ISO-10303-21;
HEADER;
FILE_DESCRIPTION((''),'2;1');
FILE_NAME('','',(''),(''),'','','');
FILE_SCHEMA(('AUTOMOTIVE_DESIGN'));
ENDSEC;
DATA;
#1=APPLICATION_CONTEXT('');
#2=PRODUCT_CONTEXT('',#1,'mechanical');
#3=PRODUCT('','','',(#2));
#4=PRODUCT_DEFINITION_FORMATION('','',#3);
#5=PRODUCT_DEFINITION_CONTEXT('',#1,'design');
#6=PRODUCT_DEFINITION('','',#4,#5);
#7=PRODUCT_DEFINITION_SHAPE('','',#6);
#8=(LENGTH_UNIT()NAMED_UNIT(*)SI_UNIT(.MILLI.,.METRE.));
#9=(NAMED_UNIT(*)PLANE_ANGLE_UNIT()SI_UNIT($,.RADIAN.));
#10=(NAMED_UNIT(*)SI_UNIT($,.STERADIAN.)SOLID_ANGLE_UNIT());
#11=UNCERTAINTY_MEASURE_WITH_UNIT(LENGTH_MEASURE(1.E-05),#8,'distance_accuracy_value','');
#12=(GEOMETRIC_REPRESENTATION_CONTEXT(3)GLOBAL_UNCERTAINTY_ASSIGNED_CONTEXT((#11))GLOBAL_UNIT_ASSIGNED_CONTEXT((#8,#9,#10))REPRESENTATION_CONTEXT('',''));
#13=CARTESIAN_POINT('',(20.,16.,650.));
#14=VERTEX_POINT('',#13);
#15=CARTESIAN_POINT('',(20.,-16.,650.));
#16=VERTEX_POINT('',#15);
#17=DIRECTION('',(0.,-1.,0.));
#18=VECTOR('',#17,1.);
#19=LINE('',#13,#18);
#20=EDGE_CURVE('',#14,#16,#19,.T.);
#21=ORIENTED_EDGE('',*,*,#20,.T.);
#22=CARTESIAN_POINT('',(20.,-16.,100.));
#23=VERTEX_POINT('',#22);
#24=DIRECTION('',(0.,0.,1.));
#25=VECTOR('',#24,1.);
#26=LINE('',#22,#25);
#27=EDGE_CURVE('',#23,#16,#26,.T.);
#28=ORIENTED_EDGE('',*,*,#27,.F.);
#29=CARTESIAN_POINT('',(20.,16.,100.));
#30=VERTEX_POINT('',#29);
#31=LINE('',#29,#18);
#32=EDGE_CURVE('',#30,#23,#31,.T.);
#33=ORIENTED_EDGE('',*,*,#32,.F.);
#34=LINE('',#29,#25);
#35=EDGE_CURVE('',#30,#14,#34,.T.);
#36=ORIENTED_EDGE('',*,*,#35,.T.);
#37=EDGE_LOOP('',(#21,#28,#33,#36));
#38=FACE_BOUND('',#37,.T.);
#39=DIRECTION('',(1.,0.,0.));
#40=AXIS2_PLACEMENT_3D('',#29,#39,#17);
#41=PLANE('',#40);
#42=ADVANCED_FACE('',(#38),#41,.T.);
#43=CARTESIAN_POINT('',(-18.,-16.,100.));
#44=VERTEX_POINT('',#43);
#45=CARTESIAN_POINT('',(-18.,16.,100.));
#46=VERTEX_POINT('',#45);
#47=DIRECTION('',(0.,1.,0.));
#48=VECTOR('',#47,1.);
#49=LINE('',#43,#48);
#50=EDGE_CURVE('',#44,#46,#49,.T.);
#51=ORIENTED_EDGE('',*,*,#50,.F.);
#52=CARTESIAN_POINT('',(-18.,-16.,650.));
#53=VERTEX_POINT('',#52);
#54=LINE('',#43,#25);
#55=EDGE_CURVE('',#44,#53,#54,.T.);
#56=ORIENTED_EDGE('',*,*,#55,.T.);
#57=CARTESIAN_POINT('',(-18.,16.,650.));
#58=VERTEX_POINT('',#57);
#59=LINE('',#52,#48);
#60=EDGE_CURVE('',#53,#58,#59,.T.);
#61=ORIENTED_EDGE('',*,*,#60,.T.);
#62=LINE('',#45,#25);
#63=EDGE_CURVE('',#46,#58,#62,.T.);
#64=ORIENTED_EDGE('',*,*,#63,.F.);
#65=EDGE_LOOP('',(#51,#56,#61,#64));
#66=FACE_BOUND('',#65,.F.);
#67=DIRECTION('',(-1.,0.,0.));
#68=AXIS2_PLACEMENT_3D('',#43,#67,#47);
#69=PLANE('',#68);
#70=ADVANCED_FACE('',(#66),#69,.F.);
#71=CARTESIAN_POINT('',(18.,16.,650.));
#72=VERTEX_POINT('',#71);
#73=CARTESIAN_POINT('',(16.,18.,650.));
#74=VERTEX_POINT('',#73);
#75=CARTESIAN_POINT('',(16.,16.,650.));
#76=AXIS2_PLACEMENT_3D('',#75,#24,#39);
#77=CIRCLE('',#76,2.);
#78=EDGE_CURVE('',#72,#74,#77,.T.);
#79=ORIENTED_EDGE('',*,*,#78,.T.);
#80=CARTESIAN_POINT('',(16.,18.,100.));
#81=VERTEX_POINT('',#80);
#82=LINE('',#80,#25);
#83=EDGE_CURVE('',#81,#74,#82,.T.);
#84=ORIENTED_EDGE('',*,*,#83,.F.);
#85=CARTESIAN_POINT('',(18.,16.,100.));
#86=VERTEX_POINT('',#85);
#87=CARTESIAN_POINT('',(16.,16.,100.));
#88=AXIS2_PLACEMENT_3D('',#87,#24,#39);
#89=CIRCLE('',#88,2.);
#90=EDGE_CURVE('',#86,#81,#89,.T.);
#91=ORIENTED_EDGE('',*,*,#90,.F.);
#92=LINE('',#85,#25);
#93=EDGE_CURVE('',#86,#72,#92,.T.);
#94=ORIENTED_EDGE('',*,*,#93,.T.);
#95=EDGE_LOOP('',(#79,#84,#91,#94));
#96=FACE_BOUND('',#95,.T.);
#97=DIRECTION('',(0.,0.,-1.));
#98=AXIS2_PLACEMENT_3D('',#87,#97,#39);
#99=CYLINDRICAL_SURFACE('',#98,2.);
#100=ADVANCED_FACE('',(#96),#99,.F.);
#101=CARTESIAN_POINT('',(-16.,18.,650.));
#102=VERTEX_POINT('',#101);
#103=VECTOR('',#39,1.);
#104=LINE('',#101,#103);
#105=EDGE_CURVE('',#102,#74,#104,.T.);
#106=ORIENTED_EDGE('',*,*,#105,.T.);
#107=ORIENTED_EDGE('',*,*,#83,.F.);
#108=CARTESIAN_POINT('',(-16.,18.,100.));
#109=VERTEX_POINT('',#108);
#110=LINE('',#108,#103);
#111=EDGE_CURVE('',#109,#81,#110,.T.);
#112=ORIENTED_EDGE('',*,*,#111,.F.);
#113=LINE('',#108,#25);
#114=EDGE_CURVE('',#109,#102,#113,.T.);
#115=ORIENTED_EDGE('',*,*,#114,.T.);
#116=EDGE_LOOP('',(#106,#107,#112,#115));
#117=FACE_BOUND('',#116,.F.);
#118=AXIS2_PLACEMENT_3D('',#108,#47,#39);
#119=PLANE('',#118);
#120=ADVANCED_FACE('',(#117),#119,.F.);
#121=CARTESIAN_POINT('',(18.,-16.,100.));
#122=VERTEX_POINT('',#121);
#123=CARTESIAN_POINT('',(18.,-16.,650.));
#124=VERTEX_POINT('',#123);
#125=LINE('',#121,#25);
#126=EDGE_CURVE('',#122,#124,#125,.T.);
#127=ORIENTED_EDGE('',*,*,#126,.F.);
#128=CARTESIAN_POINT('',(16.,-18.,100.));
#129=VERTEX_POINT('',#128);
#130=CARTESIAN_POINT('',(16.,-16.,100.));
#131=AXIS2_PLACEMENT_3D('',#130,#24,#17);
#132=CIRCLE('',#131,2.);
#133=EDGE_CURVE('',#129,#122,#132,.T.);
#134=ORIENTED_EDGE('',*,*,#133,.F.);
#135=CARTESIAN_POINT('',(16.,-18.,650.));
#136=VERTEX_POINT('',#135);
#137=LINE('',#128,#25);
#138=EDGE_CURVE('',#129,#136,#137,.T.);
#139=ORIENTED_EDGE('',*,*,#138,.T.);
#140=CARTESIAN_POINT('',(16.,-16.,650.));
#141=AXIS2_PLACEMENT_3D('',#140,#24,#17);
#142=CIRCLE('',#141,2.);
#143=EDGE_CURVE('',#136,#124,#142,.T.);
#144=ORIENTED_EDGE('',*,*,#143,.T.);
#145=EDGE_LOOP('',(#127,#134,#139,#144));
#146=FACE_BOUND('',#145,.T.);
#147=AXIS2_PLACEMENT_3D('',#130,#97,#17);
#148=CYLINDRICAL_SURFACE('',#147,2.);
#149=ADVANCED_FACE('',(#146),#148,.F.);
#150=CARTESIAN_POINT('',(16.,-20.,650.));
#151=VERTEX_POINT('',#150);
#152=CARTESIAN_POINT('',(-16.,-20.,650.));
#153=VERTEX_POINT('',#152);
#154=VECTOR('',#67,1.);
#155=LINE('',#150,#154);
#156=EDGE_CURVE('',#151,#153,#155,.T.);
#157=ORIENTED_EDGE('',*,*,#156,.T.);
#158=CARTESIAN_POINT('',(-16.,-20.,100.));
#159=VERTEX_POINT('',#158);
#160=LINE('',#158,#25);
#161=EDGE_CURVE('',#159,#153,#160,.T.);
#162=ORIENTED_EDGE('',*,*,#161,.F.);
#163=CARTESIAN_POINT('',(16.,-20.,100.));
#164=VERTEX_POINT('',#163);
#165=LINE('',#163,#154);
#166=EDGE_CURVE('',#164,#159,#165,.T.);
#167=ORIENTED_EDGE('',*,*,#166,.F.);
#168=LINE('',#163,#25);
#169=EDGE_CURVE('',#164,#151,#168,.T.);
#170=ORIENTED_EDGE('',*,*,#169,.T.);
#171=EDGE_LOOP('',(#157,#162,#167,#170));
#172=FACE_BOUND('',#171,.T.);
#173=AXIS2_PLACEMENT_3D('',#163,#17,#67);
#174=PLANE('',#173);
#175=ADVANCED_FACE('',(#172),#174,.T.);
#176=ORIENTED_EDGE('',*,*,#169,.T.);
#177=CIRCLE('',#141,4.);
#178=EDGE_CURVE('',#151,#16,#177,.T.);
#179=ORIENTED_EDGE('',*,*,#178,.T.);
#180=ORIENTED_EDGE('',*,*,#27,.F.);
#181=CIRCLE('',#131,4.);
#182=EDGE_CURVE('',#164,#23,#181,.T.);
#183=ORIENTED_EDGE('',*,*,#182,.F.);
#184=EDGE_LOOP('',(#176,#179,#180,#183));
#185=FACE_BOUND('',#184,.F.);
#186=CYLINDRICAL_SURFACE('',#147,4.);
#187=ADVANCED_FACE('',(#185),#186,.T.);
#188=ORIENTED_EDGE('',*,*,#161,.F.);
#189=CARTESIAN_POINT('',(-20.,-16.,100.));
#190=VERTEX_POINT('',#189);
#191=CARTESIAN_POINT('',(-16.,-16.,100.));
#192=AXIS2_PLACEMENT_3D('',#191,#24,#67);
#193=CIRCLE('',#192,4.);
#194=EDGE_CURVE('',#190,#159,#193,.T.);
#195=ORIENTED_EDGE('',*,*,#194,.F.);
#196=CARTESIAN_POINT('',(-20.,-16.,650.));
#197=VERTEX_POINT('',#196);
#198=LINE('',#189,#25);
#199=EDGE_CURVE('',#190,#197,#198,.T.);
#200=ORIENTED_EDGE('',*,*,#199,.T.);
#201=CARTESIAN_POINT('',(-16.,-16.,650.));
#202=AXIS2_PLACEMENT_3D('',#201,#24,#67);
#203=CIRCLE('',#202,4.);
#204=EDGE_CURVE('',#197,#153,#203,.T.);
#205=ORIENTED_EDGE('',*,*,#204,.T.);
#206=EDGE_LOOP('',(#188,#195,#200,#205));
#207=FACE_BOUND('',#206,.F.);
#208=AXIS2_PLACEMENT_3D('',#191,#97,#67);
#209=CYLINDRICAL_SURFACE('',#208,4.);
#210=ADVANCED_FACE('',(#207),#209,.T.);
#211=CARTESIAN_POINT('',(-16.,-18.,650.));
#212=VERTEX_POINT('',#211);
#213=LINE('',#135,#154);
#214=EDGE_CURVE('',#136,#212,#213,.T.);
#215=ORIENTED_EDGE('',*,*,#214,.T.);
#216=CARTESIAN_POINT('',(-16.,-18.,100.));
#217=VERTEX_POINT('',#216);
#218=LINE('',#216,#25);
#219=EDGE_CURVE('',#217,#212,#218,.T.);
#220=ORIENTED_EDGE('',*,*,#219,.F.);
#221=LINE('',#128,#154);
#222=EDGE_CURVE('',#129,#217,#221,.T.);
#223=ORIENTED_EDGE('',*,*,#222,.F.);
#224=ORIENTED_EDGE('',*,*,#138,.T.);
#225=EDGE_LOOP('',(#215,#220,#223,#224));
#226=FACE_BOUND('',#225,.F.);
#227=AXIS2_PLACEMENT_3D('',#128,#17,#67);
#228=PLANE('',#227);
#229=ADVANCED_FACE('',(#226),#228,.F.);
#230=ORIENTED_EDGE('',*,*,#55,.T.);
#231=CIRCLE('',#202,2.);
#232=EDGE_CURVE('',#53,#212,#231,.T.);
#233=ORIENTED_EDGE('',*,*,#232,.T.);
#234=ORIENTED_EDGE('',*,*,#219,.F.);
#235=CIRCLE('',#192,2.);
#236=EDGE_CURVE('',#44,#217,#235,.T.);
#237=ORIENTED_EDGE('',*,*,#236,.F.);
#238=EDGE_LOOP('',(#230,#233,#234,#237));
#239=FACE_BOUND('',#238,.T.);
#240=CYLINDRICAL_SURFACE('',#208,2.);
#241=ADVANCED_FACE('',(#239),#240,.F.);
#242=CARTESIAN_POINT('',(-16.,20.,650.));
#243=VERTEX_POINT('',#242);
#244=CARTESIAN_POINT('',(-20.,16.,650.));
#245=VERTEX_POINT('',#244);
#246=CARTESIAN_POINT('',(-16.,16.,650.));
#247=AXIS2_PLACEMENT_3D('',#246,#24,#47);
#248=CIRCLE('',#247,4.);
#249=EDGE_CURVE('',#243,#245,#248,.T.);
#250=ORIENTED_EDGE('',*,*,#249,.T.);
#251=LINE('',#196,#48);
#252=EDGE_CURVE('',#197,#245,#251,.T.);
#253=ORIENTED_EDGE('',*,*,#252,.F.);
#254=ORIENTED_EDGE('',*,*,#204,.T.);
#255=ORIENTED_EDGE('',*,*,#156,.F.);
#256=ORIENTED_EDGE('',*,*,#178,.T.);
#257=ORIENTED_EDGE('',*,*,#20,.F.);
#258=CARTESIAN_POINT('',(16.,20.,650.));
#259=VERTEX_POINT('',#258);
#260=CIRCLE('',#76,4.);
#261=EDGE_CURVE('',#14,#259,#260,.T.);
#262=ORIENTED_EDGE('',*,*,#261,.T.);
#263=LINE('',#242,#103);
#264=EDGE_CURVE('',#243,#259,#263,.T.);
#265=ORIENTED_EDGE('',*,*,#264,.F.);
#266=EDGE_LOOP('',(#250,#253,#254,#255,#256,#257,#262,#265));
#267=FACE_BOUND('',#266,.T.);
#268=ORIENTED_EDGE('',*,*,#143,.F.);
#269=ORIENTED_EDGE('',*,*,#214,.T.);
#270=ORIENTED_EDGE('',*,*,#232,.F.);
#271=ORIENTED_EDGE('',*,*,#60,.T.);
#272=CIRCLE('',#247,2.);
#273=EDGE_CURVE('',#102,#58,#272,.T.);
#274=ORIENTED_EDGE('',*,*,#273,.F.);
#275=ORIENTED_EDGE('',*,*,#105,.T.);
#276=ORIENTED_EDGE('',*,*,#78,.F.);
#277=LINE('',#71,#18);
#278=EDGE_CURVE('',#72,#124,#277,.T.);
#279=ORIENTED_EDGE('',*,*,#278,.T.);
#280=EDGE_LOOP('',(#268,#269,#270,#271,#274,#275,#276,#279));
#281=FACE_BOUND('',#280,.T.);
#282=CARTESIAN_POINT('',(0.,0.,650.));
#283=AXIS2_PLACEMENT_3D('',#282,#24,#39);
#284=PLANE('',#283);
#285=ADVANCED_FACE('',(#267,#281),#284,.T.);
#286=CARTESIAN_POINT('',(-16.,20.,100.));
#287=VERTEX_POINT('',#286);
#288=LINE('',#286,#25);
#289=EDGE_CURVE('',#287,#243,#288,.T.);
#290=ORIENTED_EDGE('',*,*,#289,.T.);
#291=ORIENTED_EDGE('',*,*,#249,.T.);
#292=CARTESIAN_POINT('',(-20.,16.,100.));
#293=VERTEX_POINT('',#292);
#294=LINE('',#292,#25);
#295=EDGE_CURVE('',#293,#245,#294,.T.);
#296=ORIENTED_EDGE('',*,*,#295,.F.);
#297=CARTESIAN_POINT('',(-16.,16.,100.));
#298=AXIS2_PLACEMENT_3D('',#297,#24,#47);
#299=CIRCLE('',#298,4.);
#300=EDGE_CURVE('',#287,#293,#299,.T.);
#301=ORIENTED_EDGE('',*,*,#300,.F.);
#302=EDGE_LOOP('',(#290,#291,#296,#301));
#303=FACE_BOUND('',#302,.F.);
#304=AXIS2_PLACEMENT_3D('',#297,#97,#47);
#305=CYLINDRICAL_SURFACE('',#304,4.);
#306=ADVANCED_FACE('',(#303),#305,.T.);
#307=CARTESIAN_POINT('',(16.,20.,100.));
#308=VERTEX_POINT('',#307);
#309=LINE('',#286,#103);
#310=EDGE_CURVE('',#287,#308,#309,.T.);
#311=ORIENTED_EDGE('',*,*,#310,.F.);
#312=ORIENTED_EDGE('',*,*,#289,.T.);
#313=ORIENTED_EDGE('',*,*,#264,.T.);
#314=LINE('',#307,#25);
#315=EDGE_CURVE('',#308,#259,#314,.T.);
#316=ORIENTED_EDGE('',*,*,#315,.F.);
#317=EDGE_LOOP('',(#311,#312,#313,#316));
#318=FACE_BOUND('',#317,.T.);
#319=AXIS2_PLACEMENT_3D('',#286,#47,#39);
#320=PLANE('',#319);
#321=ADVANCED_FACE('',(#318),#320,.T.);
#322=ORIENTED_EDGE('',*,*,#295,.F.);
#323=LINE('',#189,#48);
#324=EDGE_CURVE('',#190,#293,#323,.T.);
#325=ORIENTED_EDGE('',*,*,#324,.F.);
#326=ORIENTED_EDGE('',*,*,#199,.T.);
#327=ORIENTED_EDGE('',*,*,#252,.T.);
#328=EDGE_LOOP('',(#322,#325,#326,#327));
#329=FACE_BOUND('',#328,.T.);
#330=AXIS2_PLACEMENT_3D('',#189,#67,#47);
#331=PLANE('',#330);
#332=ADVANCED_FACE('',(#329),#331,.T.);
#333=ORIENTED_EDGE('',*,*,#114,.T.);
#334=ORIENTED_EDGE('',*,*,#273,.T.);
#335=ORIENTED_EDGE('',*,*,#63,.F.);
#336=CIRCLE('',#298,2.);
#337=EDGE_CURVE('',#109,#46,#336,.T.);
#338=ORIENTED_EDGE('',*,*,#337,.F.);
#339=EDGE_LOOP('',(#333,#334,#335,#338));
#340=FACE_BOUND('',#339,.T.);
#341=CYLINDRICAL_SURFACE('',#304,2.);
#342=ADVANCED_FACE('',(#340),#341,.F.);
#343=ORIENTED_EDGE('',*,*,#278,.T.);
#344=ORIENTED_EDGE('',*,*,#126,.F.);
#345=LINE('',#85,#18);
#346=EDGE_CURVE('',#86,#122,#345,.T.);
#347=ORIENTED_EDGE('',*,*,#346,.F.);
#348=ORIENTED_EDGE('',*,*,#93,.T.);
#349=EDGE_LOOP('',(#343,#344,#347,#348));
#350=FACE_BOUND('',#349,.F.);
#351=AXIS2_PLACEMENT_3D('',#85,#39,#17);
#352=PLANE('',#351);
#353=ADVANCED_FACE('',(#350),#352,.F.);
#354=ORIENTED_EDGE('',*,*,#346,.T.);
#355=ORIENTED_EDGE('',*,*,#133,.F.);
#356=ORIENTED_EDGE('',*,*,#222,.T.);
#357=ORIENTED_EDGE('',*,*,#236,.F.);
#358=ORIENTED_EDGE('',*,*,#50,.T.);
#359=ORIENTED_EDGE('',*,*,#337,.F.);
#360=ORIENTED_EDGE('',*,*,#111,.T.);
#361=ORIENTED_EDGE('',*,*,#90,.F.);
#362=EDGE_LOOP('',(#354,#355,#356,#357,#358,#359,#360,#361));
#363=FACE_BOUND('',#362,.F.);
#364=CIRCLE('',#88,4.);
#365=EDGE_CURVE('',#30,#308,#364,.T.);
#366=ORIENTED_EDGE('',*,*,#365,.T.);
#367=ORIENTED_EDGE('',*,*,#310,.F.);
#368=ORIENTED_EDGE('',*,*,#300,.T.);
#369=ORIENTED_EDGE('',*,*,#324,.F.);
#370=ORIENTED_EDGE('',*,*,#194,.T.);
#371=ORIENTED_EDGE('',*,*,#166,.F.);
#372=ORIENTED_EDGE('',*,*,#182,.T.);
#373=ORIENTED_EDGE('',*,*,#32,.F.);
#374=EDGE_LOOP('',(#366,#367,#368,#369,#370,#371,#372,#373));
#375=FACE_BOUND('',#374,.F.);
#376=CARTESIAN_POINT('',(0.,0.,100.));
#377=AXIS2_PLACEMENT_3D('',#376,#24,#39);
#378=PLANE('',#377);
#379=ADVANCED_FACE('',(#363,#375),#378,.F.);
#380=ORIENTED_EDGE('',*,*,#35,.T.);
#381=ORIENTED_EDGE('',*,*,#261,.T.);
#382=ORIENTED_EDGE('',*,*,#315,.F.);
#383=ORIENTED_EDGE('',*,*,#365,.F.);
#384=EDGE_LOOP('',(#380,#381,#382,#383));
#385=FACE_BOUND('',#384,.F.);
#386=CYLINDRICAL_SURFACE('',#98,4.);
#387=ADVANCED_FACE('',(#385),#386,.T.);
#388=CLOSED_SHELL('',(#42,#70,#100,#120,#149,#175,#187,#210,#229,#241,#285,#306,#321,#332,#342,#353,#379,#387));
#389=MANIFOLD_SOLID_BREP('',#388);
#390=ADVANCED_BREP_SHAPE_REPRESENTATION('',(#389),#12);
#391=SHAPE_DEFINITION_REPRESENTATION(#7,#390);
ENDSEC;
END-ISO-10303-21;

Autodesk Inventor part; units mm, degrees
ref_plane "YZ Plane" through (0, 0, 0) normal (1, 0, 0) x (0, 1, 0)
ref_plane "Start Plane" through (0, 0, 100) normal (0, 0, 1) x (1, 0, 0)
ref_plane "End Plane" through (0, 0, 650) normal (0, 0, 1) x (1, 0, 0)
sketch "Sketch" plane through (0, 0, 0) normal (0, 0, 1) x (1, 0, 0)
  line L0 (-20, -16) -> (-20, 16)
  line L1 (-16, 20) -> (16, 20)
  line L2 (20, 16) -> (20, -16)
  line L3 (16, -20) -> (-16, -20)
  arc A0 (-20, -16) -> (-16, -20) centre (-16, -16) ccw
  arc A1 (20, 16) -> (16, 20) centre (16, 16) ccw
  arc A2 (-16, 20) -> (-20, 16) centre (-16, 16) ccw
  arc A3 (16, -20) -> (20, -16) centre (16, -16) ccw
  arc A4 (-16, 18) -> (-18, 16) centre (-16, 16) ccw
  line L4 (-16, 18) -> (16, 18)
  arc A5 (18, 16) -> (16, 18) centre (16, 16) ccw
  line L5 (18, 16) -> (18, -16)
  arc A6 (16, -18) -> (18, -16) centre (16, -16) ccw
  line L6 (16, -18) -> (-16, -18)
  arc A7 (-18, -16) -> (-16, -18) centre (-16, -16) ccw
  line L7 (-18, -16) -> (-18, 16)
  line L8 (0, 29.1598) -> (0, -29.1598) construction
  line L9 (-29.1598, 0) -> (29.1598, 0) construction
  dimension "d7" = 4
  dimension "d9" = 40
  dimension "d11" = 40
  dimension "d12" = 2
  dimension "d15" = 20
  dimension "d16" = 20
extrude "Body" add sketch "Sketch" along normal up to surface (550 mm away) from surface at 100
sketch "Sketch3" plane through (0, 0, 0) normal (0, 0, 1) x (1, 0, 0)
  line L0 (0, 0) -> (10, 0)
ref_plane "Work Plane3" through (0, 0, 0) normal (0, -1, 0) x (1, 0, 0)
sketch "Sketch4" plane through (0, 0, 0) normal (0, -1, 0) x (1, 0, 0)
  line L0 (-2, 100) -> (12, 100) projected
  line L1 (-2, 650) -> (12, 650) projected
  dimension "d18" = 550
equation "\"d7\" = G_IR"
equation "\"d9\" = G_W"
equation "\"d11\" = G_H"
equation "\"d12\" = G_T"
equation "\"d15\" = 0.5 * d9"
equation "\"d16\" = 0.5 * d11"
equation "\"d3\" = G_L"
equation "\"G_W\" = 40"
equation "\"G_H\" = 40"
equation "\"G_T\" = 2"
equation "\"G_IR\" = 4"
equation "\"G_L\" = d18"
properties part number "ISO 10799-2 - 40x40x2 - 550" material "Steel, Mild"
